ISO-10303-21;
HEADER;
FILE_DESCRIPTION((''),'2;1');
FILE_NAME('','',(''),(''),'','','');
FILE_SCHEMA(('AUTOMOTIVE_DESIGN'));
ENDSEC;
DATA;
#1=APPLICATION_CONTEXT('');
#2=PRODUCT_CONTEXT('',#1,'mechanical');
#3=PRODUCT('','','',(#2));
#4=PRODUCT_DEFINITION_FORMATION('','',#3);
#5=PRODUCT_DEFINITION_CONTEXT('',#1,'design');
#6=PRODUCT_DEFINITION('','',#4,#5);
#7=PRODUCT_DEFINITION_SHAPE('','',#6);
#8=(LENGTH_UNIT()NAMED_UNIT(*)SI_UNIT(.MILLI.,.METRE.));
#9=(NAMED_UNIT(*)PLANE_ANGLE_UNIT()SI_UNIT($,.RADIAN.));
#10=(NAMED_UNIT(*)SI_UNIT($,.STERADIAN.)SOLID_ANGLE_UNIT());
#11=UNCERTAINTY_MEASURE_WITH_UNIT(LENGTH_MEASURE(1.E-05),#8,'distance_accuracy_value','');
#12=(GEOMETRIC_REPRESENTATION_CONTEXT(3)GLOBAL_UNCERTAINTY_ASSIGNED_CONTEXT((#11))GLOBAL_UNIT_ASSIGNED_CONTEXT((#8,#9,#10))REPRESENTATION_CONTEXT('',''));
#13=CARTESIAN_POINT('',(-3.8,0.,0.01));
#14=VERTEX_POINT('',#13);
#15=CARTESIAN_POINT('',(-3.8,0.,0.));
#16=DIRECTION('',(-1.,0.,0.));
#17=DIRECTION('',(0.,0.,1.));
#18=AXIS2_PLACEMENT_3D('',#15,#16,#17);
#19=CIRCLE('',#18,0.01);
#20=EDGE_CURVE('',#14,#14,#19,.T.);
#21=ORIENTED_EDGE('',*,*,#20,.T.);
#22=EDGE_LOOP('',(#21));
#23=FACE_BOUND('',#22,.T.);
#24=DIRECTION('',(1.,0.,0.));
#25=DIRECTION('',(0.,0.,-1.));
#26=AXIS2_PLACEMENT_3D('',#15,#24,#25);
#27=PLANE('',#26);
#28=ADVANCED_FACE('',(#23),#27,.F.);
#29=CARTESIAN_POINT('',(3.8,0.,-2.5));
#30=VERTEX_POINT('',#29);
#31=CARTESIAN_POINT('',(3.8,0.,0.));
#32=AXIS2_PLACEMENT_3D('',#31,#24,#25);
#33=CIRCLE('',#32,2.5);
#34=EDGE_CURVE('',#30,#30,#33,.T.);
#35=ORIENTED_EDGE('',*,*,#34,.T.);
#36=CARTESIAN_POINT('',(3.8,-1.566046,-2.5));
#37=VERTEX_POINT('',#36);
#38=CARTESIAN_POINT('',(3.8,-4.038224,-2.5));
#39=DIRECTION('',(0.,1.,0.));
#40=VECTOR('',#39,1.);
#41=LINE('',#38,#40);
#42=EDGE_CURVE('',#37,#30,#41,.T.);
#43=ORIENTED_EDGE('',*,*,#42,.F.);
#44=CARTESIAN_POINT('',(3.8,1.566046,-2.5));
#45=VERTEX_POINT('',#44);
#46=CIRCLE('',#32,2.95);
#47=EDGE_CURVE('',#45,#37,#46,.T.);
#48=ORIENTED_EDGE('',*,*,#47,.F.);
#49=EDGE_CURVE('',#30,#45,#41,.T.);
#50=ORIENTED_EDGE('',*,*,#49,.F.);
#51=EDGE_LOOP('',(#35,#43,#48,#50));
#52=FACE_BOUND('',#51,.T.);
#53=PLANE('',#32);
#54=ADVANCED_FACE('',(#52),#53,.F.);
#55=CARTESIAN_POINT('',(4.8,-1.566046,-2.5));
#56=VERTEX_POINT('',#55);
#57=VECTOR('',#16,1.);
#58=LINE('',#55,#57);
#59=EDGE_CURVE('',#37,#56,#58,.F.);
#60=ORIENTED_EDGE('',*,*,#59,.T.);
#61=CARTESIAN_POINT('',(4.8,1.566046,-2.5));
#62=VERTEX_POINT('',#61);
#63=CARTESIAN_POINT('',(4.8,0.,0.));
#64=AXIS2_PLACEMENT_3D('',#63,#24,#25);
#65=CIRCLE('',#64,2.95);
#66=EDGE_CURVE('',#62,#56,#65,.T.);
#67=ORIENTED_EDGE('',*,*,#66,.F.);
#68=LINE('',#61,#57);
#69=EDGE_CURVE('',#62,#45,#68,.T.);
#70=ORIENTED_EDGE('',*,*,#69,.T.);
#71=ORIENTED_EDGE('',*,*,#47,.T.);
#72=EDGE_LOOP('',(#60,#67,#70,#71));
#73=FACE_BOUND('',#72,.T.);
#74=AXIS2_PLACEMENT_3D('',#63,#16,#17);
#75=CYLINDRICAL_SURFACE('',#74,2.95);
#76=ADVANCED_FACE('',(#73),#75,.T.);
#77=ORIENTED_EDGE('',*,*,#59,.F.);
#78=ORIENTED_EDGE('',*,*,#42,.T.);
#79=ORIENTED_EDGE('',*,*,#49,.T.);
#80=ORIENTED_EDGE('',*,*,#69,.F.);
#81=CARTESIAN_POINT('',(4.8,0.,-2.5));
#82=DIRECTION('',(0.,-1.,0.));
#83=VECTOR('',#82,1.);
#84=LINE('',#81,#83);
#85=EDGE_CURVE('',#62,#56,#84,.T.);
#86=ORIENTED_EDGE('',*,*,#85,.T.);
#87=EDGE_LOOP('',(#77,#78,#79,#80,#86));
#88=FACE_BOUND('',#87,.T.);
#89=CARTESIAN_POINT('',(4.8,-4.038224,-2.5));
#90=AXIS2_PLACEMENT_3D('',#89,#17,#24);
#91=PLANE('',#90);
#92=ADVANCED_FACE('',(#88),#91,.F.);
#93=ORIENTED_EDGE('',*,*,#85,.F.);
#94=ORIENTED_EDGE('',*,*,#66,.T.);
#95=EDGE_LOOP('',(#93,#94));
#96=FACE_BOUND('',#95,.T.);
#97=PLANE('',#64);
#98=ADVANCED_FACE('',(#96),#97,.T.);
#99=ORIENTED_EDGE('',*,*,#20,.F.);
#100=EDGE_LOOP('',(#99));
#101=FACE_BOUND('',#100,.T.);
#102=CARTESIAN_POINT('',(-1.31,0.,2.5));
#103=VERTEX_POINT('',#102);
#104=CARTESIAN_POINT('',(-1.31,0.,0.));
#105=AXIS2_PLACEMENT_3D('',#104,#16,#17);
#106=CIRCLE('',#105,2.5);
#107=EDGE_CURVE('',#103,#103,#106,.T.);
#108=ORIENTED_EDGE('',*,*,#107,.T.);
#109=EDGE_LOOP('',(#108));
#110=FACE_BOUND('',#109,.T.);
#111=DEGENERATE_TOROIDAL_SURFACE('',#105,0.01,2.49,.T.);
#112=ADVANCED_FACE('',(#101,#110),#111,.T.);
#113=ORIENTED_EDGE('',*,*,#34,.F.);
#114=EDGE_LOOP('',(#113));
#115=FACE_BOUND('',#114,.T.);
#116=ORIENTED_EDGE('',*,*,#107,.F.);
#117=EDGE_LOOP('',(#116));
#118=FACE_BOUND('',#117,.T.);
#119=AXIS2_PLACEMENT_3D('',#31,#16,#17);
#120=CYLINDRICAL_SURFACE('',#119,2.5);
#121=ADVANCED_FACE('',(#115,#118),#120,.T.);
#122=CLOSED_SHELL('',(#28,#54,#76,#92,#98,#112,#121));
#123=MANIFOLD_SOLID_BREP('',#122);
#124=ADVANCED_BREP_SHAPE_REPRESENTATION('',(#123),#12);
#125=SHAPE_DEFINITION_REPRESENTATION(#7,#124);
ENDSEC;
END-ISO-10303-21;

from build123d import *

# Parameters (mm, degrees)
SKETCH2_R           = 2.5
BOSS_EXTRUDE1_DEPTH = 3.8
SKETCH3_R           = 2.95
BOSS_EXTRUDE3_DEPTH = 1
SKETCH4_W           = 0.865778577
SKETCH4_H           = 6.939291368
CUT_EXTRUDE1_DEPTH  = 1


with BuildPart() as part:
    # Sketch2 → Boss-Extrude1 (new, symmetric)
    with BuildSketch(Plane(origin=(0, 0, 0), x_dir=(0, 0, -1), z_dir=(1, 0, 0))):
        with Locations(Location((0, 0, 0), (0, 0, 180))):
            Circle(SKETCH2_R)
    extrude(amount=BOSS_EXTRUDE1_DEPTH, both=True)

    # Sketch3 → Boss-Extrude3 (add)
    with BuildSketch(Plane(origin=(3.8, 0, 0), x_dir=(0, 0, -1), z_dir=(1, 0, 0))):
        Circle(SKETCH3_R)
    extrude(amount=BOSS_EXTRUDE3_DEPTH)

    # Sketch4 → Cut-Extrude1 (cut)
    with BuildSketch(Plane.ZY.offset(-3.8)):
        with Locations((-2.932889289, -0.568577956)):
            Rectangle(SKETCH4_W, SKETCH4_H)
    extrude(amount=-CUT_EXTRUDE1_DEPTH, mode=Mode.SUBTRACT)

    # Sketch5 → Cut-Revolve4 (revolve, cut)
    with BuildSketch(Plane(origin=(0, 0, 0), x_dir=(1, 0, 0), z_dir=(0, 1, 0))):
        with BuildLine():
            Line((-3.8, -0.01), (-3.8, -2.5))
            Line((-3.8, -2.5), (-1.31, -2.5))
            ThreePointArc((-1.31, -2.5), (-3.070695885, -1.770695885), (-3.8, -0.01))
        make_face()
    revolve(axis=Axis((-4.317331634, 0, 0), (1, 0, 0)), mode=Mode.SUBTRACT)


solid = part.part
